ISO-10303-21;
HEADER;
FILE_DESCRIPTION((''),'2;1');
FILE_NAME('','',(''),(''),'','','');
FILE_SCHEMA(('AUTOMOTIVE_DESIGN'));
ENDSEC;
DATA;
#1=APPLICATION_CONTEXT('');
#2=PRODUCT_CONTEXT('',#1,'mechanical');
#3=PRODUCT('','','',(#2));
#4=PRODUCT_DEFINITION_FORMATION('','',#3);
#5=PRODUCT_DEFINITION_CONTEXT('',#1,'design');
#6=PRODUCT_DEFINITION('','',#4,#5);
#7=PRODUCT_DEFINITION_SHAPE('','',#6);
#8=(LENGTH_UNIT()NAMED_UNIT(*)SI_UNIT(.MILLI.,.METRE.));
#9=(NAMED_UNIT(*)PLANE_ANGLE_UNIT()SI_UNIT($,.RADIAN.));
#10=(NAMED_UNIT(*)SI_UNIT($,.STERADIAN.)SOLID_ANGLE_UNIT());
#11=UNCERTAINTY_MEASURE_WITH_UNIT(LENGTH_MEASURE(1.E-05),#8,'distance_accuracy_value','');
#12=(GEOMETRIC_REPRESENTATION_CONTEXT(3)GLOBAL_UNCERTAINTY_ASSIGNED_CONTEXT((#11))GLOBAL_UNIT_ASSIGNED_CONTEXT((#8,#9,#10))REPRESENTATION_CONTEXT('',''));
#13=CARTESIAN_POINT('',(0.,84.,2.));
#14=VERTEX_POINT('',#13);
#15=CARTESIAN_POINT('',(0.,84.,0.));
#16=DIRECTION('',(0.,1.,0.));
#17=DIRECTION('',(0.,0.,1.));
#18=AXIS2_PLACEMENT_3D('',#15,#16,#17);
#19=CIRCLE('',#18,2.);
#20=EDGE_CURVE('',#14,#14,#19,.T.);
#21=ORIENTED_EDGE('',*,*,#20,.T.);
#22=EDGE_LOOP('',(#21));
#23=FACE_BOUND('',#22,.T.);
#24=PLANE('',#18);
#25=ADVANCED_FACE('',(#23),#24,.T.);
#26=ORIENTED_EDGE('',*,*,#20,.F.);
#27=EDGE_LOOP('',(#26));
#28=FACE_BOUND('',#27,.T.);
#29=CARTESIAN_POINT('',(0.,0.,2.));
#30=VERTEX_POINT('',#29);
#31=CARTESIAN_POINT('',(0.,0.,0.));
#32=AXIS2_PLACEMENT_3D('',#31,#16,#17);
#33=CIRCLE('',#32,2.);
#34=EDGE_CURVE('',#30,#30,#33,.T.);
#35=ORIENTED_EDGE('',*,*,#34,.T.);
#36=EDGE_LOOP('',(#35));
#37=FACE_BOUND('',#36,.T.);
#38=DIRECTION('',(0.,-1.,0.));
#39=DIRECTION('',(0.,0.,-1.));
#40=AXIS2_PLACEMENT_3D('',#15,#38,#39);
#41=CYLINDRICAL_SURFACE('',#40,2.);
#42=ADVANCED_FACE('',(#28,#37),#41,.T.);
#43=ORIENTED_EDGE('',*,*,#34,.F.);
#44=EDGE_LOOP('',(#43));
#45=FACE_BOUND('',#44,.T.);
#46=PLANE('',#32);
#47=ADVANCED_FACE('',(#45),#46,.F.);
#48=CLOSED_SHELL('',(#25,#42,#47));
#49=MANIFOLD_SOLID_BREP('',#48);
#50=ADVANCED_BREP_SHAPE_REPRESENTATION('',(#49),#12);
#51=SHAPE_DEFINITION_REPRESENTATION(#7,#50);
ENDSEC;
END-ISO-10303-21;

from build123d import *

# Parameters (mm, degrees)
SKETCH_1_R      = 2
EXTRUDE_1_DEPTH = 84


with BuildPart() as part:
    # 草图1 → 凸台-拉伸1 (new body)
    with BuildSketch(Plane(origin=(0, 0, 0), x_dir=(1, 0, 0), z_dir=(0, 1, 0))):
        Circle(SKETCH_1_R)
    extrude(amount=EXTRUDE_1_DEPTH)


solid = part.part
